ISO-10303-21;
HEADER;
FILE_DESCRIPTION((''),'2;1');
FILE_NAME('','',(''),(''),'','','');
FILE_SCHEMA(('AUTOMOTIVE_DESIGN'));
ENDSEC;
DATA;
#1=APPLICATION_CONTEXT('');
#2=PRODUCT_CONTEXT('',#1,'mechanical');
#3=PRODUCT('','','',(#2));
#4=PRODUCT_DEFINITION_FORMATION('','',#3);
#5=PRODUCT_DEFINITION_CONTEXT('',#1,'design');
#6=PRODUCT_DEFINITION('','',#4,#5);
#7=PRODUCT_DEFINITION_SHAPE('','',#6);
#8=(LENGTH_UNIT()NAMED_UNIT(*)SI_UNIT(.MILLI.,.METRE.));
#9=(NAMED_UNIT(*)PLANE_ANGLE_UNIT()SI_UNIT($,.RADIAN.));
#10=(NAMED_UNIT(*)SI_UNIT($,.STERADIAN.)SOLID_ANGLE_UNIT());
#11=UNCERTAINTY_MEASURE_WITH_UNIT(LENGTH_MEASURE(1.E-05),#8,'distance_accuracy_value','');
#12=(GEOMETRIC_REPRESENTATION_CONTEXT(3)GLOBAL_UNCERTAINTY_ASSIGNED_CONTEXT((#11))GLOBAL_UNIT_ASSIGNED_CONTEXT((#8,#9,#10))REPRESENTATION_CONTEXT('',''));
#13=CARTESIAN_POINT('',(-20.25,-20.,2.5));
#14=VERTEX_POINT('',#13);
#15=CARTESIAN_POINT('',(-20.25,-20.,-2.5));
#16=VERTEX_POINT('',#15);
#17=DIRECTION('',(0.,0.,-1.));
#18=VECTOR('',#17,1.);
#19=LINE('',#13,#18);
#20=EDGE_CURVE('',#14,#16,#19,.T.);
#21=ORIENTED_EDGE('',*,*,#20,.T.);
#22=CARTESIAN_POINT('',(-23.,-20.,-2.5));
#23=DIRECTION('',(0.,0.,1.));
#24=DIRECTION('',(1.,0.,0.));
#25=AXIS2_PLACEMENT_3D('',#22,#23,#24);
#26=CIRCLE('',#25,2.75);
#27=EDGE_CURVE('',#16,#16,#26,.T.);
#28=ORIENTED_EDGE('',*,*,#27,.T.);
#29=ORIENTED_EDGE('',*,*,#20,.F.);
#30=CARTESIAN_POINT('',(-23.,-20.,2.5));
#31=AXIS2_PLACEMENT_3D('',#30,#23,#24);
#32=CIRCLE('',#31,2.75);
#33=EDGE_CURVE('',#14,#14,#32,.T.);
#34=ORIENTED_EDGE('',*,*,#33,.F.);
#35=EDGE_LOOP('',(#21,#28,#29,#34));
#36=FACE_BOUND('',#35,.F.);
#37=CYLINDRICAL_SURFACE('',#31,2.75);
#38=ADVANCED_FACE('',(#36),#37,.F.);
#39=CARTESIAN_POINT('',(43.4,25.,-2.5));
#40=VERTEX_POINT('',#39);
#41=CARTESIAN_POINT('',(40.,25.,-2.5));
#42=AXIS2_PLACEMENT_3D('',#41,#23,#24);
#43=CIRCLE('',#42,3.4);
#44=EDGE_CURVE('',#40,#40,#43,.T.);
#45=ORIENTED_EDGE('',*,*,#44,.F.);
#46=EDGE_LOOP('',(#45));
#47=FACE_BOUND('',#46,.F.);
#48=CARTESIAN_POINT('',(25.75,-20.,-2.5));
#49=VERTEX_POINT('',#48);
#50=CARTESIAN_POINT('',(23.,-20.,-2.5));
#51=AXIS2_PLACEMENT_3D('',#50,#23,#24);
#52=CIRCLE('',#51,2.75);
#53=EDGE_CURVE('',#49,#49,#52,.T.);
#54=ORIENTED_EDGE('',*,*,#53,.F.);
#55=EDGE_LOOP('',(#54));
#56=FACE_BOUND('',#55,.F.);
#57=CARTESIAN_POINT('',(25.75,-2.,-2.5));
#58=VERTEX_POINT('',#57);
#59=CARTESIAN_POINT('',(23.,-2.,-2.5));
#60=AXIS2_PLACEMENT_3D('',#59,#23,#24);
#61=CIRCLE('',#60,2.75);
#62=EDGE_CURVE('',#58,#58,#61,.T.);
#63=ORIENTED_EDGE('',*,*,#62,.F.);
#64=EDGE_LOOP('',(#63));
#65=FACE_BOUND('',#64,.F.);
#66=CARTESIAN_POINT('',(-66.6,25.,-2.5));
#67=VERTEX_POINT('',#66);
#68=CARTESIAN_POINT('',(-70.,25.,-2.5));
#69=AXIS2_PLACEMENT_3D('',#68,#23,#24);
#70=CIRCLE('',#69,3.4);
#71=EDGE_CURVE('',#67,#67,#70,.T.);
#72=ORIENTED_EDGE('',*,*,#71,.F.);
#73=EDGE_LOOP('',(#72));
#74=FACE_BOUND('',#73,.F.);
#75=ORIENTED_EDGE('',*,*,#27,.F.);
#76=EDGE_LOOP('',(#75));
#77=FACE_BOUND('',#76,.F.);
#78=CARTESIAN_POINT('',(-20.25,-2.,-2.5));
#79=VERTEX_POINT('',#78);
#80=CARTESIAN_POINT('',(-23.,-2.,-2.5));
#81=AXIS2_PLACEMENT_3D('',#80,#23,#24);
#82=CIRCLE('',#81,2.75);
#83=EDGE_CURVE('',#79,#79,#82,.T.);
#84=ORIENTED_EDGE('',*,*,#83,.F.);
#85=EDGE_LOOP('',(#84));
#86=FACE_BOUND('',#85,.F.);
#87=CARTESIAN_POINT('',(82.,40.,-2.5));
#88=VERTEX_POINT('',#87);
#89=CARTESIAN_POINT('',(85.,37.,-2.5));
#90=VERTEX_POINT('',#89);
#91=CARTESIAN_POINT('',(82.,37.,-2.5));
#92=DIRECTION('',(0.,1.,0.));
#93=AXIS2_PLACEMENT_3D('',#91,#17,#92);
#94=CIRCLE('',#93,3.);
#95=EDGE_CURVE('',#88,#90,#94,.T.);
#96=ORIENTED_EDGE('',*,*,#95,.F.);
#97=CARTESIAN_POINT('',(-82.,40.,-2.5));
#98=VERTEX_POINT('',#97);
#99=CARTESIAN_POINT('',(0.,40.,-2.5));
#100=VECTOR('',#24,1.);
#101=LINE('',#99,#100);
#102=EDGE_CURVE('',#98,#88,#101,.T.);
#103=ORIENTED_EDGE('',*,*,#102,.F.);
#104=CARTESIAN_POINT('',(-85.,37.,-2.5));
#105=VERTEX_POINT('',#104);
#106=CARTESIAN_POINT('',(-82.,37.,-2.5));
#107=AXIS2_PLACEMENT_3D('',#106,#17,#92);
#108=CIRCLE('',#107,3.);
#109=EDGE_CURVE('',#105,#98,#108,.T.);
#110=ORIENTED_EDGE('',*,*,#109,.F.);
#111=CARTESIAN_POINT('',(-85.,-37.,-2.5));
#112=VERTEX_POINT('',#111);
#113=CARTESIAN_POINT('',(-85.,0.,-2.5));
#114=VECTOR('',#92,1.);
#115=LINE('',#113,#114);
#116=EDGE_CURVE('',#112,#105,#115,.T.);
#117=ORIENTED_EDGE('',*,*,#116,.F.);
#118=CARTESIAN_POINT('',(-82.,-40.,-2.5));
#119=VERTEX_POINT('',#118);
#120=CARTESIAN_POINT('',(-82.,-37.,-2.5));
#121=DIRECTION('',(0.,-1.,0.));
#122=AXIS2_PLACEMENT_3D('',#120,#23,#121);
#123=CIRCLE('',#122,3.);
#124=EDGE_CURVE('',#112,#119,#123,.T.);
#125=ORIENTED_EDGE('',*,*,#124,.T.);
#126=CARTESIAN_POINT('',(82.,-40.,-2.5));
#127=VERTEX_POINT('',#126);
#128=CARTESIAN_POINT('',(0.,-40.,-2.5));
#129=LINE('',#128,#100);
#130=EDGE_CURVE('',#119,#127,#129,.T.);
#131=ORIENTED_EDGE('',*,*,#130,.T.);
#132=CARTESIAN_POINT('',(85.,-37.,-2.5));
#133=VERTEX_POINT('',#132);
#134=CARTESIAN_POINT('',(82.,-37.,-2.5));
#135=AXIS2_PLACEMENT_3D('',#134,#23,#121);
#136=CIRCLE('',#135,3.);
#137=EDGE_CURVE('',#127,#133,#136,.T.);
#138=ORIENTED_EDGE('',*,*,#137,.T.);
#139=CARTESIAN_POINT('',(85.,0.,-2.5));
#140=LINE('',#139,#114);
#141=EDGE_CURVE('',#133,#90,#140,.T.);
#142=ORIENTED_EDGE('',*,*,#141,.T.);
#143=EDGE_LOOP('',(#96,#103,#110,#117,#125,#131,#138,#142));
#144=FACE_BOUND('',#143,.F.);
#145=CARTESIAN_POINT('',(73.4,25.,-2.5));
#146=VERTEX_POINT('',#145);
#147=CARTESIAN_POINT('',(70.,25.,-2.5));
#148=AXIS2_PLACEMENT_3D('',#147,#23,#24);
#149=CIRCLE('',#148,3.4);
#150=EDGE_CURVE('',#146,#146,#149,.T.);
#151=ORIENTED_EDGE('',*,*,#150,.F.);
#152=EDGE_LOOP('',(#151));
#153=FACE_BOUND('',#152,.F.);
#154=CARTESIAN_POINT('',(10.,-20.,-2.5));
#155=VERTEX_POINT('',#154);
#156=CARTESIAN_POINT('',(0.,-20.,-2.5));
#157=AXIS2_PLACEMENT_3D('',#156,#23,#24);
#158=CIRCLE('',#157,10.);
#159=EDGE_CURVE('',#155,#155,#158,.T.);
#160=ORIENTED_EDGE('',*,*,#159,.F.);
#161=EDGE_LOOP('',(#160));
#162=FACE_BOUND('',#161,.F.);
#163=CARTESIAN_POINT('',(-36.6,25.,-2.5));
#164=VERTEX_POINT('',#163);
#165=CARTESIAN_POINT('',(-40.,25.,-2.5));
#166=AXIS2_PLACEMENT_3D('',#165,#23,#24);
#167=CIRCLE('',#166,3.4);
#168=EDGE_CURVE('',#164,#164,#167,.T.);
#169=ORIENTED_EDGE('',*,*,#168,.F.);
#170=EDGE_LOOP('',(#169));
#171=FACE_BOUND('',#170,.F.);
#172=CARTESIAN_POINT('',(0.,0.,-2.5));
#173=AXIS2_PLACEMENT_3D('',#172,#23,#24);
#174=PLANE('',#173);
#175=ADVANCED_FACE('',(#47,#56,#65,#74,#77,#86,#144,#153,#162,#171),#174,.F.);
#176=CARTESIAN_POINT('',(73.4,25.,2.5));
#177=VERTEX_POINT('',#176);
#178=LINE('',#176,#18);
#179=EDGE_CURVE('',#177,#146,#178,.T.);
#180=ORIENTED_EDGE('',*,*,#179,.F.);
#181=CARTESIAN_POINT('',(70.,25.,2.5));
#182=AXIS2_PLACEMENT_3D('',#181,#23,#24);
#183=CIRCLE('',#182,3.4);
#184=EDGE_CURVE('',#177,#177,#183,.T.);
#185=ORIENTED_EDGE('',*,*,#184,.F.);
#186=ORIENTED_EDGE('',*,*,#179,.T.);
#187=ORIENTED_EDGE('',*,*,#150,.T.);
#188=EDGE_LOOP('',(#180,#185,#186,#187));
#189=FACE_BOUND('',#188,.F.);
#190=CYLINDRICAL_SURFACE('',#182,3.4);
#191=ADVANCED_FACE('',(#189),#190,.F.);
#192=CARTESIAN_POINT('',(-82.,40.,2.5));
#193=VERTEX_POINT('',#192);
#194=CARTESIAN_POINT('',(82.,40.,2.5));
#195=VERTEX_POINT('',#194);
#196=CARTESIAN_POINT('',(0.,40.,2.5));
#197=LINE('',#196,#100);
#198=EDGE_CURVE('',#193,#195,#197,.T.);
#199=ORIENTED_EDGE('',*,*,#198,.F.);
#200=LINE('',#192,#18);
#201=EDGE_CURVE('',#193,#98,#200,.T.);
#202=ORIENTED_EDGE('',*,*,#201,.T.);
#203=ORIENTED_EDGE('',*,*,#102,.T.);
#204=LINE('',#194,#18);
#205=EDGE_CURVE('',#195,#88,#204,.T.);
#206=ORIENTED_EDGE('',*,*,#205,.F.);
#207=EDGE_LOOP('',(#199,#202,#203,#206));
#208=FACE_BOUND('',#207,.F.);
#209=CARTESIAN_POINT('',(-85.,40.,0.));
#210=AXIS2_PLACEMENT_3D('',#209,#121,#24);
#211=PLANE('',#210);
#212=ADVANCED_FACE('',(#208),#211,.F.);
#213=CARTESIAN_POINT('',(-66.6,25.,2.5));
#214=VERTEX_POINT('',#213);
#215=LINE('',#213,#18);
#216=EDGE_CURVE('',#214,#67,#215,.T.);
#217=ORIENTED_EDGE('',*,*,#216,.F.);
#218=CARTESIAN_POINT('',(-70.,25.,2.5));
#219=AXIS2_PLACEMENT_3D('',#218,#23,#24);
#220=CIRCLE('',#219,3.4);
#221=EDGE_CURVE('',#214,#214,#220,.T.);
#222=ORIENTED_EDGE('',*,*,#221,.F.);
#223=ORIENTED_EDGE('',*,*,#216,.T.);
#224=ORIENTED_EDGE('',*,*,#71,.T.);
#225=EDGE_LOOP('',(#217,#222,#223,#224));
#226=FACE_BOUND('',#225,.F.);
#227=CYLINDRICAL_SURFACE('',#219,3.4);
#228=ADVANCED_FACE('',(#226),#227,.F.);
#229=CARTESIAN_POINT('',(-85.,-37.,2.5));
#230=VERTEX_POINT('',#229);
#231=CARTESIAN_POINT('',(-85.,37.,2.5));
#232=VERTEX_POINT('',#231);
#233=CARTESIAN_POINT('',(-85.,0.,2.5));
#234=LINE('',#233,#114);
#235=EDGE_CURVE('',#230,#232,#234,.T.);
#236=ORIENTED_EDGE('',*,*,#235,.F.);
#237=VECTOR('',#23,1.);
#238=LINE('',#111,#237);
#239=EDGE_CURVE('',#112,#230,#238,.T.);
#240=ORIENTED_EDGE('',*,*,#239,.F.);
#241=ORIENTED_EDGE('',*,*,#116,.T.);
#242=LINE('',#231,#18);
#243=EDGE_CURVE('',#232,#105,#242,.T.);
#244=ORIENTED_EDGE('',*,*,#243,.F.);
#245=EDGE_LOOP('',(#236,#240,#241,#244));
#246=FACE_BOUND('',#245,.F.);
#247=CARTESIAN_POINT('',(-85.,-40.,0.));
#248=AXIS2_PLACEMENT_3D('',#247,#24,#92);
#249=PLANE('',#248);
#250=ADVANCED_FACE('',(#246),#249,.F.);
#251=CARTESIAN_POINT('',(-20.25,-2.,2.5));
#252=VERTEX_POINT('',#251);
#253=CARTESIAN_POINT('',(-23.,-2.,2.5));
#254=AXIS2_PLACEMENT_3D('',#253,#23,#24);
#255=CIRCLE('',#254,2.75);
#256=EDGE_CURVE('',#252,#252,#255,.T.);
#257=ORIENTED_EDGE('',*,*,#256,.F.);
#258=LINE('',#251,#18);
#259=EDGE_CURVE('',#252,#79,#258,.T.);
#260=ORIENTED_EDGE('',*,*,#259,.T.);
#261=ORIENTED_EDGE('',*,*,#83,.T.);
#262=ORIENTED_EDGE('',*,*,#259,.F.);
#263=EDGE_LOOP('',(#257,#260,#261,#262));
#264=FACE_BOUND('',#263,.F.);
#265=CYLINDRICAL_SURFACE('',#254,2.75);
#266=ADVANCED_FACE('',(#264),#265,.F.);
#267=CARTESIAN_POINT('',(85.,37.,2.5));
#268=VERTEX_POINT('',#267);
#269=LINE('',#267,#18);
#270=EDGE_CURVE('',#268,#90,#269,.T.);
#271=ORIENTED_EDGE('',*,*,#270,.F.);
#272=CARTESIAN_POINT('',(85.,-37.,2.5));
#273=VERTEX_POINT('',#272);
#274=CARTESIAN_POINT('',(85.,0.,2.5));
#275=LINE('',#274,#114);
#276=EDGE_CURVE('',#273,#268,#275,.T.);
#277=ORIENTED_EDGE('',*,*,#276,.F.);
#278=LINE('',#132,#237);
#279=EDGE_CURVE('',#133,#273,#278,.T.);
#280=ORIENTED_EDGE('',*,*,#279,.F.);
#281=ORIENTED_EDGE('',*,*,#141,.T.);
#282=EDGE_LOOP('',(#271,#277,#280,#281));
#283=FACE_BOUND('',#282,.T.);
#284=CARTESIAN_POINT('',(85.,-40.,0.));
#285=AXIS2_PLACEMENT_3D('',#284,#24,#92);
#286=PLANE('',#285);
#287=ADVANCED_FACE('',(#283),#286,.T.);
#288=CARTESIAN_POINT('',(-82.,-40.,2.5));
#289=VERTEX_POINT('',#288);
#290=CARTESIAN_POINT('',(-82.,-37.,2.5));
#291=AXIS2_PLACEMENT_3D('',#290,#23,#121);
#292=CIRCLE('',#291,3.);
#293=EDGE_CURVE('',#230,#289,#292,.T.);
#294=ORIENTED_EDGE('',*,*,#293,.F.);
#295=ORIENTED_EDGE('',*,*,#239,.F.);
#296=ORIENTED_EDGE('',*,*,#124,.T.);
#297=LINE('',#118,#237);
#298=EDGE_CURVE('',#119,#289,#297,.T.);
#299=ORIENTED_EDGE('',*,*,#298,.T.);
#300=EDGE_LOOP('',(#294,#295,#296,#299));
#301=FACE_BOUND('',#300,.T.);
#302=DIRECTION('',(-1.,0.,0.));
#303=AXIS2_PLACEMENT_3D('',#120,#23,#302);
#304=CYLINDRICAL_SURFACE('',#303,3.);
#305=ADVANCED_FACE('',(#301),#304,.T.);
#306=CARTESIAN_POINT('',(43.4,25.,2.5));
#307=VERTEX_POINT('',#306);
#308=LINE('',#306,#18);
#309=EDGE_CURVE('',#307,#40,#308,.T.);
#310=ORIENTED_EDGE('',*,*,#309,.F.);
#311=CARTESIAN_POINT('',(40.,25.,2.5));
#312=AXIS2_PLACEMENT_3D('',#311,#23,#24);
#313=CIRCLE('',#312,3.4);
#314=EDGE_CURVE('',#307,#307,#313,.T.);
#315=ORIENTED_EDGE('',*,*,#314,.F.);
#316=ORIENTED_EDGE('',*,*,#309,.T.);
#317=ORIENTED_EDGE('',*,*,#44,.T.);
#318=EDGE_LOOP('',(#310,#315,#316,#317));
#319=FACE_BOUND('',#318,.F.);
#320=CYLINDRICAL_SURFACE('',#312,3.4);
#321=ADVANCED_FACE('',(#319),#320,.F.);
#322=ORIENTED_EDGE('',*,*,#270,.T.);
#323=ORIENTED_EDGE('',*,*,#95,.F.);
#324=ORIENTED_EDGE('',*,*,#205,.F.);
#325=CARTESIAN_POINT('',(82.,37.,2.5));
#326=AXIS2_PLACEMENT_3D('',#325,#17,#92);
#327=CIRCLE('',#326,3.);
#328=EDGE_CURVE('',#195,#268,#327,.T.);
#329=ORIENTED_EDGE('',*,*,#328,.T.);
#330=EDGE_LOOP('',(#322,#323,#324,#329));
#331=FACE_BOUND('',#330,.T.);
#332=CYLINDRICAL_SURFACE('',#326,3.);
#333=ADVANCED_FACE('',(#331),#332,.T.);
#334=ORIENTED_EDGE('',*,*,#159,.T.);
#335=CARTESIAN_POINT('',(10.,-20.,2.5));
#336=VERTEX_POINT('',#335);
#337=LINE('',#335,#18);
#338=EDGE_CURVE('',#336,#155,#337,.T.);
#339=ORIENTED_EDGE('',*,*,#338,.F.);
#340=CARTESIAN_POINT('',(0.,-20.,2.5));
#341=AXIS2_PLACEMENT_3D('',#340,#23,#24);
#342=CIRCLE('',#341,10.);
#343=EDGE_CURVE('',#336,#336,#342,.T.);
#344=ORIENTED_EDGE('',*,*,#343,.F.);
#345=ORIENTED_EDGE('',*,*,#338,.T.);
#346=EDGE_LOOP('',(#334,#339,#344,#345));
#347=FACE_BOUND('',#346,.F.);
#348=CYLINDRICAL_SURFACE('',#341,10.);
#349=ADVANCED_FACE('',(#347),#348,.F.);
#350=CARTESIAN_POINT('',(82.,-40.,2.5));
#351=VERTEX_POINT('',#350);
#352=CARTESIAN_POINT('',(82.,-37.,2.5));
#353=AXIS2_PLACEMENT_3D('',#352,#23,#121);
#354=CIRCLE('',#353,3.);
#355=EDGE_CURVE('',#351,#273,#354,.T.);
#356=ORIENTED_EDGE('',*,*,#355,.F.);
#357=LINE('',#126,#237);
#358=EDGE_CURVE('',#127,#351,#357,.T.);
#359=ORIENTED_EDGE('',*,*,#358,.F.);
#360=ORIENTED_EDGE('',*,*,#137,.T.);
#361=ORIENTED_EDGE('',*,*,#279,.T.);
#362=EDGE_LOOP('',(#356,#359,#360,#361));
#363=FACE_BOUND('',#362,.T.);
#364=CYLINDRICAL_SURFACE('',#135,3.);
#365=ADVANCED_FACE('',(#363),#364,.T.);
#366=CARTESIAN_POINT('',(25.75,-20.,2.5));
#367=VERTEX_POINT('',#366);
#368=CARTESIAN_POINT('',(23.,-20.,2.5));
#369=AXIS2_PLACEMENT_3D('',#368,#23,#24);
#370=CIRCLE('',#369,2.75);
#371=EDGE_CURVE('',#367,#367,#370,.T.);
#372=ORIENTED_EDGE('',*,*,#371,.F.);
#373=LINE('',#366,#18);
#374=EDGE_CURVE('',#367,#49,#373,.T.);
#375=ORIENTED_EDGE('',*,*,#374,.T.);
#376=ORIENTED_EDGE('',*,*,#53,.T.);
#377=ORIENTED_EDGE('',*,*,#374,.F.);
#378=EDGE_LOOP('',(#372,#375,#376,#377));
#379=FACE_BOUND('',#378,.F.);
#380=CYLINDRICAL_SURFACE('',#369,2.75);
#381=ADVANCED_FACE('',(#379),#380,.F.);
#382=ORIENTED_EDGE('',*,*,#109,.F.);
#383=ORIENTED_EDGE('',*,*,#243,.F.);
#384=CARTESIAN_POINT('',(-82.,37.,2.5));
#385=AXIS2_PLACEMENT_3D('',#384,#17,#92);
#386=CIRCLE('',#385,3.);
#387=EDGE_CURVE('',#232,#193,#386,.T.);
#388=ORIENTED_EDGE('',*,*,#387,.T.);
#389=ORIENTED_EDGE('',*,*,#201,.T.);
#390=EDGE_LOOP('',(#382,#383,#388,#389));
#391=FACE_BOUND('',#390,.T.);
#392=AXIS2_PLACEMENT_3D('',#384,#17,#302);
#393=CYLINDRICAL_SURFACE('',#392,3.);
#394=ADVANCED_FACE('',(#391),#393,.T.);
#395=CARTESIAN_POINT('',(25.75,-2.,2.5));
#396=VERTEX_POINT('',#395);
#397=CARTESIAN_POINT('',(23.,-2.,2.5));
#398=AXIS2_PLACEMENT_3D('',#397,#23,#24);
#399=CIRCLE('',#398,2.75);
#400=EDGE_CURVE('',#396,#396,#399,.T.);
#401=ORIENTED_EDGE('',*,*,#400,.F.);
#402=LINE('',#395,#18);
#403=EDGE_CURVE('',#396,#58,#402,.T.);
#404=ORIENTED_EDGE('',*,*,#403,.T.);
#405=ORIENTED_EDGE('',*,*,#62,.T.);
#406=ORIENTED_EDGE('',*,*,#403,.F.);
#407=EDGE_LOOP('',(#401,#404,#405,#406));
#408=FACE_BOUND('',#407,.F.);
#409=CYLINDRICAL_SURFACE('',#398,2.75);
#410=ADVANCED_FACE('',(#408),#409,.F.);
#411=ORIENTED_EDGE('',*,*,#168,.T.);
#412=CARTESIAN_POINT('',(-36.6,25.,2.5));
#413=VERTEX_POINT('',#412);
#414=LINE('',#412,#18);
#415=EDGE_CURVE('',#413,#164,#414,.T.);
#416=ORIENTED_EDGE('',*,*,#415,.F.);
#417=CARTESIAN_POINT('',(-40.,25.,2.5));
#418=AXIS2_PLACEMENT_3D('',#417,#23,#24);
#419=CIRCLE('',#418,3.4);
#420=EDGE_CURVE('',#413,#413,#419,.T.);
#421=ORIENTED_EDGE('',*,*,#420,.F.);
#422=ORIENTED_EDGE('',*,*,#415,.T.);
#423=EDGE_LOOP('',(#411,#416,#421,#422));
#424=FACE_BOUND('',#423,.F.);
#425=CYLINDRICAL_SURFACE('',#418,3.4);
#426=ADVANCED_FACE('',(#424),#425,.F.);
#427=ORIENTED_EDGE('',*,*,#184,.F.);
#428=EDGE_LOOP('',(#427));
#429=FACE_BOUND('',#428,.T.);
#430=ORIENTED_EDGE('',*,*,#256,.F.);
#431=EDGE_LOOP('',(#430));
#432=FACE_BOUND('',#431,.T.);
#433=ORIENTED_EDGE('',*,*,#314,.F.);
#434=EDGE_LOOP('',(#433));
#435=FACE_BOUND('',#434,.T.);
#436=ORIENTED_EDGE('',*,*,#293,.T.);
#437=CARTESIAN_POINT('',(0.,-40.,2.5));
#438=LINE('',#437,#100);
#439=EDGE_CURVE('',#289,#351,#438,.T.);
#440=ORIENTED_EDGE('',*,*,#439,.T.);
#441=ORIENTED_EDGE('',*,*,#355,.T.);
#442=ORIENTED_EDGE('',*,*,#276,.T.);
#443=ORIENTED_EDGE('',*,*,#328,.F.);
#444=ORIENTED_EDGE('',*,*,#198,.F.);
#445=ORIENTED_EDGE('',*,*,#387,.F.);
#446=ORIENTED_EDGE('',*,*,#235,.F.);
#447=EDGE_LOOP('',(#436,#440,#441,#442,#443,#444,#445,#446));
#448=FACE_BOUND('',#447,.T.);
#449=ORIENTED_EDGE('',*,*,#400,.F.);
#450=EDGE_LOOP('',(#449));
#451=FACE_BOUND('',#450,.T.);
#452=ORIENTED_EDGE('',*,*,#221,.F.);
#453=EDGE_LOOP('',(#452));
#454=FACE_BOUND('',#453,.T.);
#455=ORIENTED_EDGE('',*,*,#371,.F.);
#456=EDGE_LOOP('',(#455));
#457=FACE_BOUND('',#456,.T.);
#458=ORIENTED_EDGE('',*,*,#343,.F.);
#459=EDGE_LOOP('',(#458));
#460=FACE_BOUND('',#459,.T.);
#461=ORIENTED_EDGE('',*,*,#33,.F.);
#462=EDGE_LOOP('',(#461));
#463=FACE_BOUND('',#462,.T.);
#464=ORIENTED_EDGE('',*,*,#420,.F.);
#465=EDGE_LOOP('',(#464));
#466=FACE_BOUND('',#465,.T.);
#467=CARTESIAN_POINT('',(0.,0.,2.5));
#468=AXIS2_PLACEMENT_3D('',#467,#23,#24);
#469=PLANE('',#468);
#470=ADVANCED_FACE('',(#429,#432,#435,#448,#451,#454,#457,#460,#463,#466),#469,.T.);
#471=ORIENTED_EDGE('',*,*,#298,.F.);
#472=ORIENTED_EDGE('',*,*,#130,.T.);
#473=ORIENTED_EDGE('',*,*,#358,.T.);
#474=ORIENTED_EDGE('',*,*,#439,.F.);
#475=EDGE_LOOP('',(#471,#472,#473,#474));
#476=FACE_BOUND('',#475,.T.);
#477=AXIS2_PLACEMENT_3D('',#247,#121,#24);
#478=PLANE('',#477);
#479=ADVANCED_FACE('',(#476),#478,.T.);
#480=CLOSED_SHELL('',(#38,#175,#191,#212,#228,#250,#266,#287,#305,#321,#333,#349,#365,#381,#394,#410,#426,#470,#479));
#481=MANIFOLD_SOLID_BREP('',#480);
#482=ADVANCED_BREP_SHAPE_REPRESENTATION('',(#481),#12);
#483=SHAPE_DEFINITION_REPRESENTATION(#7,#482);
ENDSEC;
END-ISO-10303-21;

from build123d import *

# Parameters (mm, degrees)
F0_W     = 170
F0_H     = 80
F1_DEPTH = 2.5
F2_R     = 3.4
F2_R_2   = 10
F2_R_3   = 2.75
F3_DEPTH = 5
F4_R     = 3


with BuildPart() as f1:
    # F0 (on Top) → F1 (new body, symmetric)
    with BuildSketch(Plane.XY):
        Rectangle(F0_W, F0_H)
    extrude(amount=F1_DEPTH, both=True)

    # F2 (on face) → F3 (cut)
    with BuildSketch(Plane.XY.offset(2.5)):
        with Locations((40, 25)):
            Circle(F2_R)
        with Locations((70, 25)):
            Circle(F2_R)
        with Locations((-40, 25)):
            Circle(F2_R)
        with Locations((-70, 25)):
            Circle(F2_R)
        with Locations((0, -20)):
            Circle(F2_R_2)
        with Locations((-23, -20)):
            Circle(F2_R_3)
        with Locations((-23, -2)):
            Circle(F2_R_3)
        with Locations((23, -2)):
            Circle(F2_R_3)
        with Locations((23, -20)):
            Circle(F2_R_3)
    extrude(amount=-F3_DEPTH, mode=Mode.SUBTRACT)

    # F4
    f4_edges = [f1.edges().sort_by_distance(p)[0] for p in [
        (-85, -40, 0),
        (85, -40, 0),
        (-85, 40, 0),
        (85, 40, 0),
    ]]
    fillet(f4_edges, radius=F4_R)


solid = f1.part
